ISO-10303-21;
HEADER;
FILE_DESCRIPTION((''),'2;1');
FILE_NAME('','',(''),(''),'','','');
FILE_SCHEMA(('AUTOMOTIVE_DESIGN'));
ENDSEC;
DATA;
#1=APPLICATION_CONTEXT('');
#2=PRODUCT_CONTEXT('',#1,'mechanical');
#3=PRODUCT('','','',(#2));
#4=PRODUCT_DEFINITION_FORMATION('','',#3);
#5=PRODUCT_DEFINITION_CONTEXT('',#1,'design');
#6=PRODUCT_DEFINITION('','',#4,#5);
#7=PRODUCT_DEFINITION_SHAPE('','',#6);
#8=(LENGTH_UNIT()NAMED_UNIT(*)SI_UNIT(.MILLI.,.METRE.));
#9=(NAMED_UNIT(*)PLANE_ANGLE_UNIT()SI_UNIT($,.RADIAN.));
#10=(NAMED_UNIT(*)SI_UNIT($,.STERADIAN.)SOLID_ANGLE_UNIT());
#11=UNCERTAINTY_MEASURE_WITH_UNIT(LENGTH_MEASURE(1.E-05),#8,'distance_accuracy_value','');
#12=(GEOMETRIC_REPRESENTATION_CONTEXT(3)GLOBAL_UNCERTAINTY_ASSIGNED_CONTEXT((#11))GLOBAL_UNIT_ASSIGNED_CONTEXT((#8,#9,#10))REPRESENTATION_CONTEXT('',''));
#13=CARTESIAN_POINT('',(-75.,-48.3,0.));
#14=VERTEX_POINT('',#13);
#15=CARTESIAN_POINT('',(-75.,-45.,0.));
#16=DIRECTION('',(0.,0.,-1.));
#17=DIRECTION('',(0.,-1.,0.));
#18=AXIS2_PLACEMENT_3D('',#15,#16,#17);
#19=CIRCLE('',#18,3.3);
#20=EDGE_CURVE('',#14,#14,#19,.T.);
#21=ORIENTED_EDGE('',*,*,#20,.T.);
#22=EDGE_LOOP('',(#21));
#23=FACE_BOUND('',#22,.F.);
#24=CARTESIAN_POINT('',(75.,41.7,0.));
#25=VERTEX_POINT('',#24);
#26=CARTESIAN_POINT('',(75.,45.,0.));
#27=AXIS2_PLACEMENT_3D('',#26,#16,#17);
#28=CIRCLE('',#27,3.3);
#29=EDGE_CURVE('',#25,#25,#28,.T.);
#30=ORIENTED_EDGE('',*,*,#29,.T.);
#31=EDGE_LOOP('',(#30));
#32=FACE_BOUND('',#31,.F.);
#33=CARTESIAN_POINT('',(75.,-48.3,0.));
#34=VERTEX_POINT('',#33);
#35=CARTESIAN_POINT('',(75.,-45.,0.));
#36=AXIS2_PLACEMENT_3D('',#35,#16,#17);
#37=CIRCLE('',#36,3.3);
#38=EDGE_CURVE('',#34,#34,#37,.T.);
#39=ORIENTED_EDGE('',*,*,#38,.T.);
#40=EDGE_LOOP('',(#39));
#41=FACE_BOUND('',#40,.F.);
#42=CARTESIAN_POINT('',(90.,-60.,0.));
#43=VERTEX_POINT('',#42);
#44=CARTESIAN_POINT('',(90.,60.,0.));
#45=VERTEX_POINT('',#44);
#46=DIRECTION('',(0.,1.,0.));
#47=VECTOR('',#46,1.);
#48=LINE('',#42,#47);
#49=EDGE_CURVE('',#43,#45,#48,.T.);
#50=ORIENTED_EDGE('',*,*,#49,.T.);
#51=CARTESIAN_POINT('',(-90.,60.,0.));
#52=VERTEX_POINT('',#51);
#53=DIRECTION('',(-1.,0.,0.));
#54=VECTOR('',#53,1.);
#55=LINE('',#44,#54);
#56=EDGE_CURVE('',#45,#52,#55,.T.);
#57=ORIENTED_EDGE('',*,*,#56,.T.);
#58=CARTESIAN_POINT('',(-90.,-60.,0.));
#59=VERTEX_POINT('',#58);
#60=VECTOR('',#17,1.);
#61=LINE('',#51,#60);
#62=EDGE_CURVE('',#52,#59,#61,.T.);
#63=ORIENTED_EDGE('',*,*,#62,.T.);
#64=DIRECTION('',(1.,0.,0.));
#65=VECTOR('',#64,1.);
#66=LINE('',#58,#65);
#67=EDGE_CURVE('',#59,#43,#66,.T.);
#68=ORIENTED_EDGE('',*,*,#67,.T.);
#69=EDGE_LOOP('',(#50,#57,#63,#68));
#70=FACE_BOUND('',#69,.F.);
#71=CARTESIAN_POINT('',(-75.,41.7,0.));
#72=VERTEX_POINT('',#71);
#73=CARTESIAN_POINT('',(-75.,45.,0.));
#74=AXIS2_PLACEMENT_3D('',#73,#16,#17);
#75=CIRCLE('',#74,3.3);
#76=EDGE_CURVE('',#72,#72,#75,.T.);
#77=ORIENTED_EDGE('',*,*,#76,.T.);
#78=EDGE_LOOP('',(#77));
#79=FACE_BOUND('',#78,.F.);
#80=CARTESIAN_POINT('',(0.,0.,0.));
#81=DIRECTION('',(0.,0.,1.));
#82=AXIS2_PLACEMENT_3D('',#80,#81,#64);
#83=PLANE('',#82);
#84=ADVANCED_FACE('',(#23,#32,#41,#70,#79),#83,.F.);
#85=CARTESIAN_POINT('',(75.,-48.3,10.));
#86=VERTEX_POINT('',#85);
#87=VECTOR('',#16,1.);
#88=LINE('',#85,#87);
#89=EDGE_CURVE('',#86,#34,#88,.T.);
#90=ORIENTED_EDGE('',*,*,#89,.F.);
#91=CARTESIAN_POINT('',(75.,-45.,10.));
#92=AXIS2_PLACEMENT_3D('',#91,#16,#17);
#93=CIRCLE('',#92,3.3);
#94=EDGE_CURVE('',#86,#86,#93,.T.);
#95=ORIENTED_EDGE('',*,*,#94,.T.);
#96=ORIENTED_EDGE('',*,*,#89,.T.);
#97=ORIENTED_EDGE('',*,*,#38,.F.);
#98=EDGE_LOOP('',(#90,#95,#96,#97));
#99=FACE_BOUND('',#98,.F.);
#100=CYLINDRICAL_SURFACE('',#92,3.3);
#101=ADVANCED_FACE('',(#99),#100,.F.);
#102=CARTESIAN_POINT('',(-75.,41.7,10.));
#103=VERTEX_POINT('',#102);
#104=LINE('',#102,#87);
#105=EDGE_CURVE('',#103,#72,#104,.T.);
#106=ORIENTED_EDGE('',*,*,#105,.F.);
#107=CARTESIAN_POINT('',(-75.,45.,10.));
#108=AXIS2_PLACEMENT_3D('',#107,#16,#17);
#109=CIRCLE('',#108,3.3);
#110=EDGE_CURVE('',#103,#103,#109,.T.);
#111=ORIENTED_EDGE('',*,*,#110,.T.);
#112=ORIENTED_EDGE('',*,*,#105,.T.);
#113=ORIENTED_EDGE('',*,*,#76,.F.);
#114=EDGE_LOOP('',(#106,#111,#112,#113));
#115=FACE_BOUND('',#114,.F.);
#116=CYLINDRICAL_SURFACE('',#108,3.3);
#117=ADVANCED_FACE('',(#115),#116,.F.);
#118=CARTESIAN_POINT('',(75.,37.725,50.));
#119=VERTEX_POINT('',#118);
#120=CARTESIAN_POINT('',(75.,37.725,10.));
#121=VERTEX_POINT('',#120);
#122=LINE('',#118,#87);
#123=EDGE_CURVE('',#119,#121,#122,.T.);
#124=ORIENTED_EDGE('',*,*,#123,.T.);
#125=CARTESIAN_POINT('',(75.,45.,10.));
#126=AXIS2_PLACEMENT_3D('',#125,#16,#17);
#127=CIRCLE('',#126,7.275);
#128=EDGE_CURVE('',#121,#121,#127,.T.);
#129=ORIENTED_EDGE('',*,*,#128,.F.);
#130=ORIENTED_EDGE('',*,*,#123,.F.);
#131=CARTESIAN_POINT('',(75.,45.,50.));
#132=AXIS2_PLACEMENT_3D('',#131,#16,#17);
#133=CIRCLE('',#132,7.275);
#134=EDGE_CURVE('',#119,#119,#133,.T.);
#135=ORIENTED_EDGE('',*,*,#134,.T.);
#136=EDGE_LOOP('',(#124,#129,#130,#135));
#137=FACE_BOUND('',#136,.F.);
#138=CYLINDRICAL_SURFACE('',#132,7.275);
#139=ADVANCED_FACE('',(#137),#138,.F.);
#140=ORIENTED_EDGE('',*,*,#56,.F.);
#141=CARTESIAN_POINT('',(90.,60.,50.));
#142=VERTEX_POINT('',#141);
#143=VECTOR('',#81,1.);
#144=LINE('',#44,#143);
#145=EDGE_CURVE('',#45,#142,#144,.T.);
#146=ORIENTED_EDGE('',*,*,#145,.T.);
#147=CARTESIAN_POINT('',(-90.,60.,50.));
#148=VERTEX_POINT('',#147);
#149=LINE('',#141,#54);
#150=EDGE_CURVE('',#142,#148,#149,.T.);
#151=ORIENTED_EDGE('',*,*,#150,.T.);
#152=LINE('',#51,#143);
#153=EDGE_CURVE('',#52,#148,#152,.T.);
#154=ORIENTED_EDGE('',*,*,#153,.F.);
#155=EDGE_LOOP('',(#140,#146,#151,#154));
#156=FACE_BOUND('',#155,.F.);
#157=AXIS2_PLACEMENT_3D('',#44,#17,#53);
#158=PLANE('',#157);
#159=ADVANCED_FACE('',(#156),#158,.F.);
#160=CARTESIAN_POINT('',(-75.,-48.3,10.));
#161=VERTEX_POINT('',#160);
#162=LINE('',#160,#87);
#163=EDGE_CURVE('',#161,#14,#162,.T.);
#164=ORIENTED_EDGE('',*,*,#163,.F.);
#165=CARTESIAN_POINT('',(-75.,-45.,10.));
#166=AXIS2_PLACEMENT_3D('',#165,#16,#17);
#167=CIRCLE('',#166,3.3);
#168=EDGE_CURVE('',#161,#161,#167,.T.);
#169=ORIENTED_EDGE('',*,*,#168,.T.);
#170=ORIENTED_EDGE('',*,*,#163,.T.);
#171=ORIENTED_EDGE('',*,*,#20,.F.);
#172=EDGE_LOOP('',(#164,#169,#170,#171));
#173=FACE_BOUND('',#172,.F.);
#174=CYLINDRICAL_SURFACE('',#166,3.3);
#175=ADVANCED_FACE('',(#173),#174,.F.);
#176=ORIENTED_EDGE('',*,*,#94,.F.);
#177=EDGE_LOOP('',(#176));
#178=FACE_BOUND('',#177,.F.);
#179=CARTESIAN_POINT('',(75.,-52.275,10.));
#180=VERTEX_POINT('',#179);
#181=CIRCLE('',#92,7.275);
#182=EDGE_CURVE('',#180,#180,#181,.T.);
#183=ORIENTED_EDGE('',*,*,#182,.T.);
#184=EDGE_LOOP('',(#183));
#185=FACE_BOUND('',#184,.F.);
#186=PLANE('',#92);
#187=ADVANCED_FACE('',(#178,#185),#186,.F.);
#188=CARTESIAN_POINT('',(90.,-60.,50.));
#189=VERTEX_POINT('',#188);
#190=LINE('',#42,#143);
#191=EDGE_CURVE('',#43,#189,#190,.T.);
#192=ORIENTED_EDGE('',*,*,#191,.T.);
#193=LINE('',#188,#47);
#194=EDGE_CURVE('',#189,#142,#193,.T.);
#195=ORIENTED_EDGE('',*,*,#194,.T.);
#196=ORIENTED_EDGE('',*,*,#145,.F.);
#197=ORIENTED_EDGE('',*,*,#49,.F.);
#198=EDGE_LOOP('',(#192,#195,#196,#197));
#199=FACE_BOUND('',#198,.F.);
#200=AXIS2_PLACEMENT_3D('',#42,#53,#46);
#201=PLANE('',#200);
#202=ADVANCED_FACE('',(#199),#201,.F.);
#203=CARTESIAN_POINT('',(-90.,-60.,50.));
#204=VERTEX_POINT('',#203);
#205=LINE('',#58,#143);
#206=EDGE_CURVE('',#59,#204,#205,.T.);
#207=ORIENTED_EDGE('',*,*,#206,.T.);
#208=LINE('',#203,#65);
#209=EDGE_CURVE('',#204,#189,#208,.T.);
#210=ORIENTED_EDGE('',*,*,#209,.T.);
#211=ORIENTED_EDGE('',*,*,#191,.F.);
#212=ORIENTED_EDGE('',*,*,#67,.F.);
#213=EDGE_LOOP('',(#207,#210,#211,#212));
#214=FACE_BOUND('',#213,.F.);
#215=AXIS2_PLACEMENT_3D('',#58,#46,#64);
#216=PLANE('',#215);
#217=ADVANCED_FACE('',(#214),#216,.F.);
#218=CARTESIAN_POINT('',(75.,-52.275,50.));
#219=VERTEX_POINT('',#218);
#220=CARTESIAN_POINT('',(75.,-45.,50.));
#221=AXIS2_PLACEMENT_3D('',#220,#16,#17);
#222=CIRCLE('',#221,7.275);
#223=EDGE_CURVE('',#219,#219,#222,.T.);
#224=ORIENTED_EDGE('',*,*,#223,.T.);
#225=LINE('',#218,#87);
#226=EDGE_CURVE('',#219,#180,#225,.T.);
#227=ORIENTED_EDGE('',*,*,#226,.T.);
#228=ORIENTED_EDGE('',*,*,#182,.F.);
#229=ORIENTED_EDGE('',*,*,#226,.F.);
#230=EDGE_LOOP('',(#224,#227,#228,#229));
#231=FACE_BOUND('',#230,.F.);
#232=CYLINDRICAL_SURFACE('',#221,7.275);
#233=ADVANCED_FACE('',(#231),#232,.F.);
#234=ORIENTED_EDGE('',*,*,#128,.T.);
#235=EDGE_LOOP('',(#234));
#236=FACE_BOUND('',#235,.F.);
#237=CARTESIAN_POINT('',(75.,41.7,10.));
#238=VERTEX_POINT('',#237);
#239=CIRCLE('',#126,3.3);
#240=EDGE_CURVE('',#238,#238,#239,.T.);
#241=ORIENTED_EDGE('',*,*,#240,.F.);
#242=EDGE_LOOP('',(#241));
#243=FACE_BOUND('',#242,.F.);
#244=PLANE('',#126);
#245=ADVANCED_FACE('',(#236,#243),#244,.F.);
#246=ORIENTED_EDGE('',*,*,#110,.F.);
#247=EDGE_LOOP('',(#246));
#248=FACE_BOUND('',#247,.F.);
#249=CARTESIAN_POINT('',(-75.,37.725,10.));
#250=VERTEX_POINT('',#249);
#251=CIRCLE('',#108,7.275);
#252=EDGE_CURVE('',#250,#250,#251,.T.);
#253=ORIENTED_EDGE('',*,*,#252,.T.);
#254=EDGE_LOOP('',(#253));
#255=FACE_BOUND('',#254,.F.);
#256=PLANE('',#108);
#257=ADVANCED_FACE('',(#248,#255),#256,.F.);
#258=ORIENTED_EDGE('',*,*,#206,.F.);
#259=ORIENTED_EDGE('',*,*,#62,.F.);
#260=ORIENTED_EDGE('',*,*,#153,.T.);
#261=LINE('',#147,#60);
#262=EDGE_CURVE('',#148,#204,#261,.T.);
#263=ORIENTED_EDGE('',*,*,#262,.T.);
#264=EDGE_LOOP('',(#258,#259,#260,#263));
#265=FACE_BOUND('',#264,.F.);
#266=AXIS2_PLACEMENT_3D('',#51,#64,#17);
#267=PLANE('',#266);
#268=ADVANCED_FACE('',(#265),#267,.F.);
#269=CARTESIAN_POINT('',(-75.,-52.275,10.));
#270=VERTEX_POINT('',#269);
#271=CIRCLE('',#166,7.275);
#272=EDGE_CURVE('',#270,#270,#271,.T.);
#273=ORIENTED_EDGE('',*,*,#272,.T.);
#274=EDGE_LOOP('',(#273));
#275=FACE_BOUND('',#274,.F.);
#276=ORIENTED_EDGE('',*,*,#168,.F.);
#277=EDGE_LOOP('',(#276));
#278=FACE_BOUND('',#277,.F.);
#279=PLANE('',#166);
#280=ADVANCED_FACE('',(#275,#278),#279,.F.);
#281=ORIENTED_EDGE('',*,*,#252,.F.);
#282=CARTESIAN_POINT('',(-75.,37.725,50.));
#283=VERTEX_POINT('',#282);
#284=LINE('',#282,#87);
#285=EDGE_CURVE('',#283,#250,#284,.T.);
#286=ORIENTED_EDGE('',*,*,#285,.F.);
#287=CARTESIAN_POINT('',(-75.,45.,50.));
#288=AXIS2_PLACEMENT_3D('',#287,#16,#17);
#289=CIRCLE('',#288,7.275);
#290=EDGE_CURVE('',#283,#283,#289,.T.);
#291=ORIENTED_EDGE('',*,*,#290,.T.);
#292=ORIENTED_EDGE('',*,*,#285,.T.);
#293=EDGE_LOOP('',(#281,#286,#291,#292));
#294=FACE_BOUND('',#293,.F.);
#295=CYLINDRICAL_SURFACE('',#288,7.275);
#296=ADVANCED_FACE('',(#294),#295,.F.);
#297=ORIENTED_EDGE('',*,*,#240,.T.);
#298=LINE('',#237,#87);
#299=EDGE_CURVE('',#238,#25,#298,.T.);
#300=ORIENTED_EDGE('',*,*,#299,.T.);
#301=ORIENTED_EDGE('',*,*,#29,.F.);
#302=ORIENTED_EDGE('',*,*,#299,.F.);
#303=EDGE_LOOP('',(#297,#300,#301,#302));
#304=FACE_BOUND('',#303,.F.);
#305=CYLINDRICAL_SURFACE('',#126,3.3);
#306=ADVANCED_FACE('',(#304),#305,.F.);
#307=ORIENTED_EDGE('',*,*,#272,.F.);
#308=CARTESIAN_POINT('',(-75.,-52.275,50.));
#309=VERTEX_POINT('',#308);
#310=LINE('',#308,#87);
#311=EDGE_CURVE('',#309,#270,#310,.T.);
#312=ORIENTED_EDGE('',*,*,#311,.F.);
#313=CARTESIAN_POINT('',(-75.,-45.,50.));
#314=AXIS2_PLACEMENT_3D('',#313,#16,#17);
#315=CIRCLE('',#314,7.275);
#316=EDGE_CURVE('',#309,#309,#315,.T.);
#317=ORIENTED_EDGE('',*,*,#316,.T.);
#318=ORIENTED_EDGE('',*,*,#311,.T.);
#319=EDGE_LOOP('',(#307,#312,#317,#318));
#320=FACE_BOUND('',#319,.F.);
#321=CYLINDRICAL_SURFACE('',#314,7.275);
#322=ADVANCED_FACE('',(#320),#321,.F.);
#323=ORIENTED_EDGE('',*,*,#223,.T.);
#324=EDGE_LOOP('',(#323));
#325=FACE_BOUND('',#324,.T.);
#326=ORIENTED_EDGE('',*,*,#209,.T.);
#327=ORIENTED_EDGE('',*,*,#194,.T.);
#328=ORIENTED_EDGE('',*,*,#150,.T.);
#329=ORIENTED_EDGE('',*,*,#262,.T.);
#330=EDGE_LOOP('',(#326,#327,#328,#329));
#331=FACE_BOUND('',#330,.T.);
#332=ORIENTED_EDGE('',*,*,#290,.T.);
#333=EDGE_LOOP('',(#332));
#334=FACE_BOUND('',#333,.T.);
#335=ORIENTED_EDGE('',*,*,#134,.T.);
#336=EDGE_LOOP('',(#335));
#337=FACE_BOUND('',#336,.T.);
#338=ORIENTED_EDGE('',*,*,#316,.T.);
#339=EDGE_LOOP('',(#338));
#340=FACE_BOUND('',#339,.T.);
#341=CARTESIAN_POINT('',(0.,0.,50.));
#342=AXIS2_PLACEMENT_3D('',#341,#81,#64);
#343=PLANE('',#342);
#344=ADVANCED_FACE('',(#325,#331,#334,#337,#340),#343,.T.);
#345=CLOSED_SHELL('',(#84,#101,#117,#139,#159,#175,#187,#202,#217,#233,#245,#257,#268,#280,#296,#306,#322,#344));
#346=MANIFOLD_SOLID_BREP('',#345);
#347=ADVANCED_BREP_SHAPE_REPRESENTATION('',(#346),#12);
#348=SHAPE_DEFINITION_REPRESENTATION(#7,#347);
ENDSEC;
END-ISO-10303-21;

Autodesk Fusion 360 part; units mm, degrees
sketch "Skizze1" plane through (0, 0, 0) normal (0, 0, 1) x (1, 0, 0)
  line L0 (-90, -60) -> (90, -60)
  line L1 (90, -60) -> (90, 60)
  line L2 (90, 60) -> (-90, 60)
  line L3 (-90, 60) -> (-90, -60)
  line L4 (0, -120.4862) -> (0, 94.8054) construction
  line L5 (-128.125, 0) -> (128.8109, 0) construction
  line L6 (-75, 45) -> (75, 45)
  line L7 (75, 45) -> (75, -45)
  line L8 (75, -45) -> (-75, -45)
  line L9 (-75, -45) -> (-75, 45)
  point P0 (0, 60)
  point P1 (-90, 0)
  point P2 (-75, 45)
  point P3 (75, 45)
  point P4 (75, -45)
  point P5 (-75, -45)
  dimension "d1" = 120
  dimension "d2" = 180
  dimension "d3" = 15
  dimension "d4" = 15
  dimension "d5" = 15
  dimension "d6" = 15
extrude "Extrusion1" add sketch "Skizze1" along normal blind 50 contours L0 L1 L2 L3 | L6 L7 L8 L9
sketch "Skizze2" plane through (0, 0, 50) normal (0, 0, 1) x (-1, 0, 0)
  line L0 (90, -60) -> (90, 60)
  line L1 (90, 60) -> (-90, 60)
  line L2 (-90, 60) -> (-90, -60)
  line L3 (-90, -60) -> (90, -60)
  point P0 (-75, 45)
  point P1 (-75, -45)
  point P2 (75, -45)
  point P3 (75, 45)
hole "Bohrung1" at (-75, 45, 50) at (-75, -45, 50) at (75, -45, 50) at (75, 45, 50) direction (0, 0, -1) diameter 6.6 depth 50 tip angle 180 counterbore diameter 14.55 counterbore depth 40
